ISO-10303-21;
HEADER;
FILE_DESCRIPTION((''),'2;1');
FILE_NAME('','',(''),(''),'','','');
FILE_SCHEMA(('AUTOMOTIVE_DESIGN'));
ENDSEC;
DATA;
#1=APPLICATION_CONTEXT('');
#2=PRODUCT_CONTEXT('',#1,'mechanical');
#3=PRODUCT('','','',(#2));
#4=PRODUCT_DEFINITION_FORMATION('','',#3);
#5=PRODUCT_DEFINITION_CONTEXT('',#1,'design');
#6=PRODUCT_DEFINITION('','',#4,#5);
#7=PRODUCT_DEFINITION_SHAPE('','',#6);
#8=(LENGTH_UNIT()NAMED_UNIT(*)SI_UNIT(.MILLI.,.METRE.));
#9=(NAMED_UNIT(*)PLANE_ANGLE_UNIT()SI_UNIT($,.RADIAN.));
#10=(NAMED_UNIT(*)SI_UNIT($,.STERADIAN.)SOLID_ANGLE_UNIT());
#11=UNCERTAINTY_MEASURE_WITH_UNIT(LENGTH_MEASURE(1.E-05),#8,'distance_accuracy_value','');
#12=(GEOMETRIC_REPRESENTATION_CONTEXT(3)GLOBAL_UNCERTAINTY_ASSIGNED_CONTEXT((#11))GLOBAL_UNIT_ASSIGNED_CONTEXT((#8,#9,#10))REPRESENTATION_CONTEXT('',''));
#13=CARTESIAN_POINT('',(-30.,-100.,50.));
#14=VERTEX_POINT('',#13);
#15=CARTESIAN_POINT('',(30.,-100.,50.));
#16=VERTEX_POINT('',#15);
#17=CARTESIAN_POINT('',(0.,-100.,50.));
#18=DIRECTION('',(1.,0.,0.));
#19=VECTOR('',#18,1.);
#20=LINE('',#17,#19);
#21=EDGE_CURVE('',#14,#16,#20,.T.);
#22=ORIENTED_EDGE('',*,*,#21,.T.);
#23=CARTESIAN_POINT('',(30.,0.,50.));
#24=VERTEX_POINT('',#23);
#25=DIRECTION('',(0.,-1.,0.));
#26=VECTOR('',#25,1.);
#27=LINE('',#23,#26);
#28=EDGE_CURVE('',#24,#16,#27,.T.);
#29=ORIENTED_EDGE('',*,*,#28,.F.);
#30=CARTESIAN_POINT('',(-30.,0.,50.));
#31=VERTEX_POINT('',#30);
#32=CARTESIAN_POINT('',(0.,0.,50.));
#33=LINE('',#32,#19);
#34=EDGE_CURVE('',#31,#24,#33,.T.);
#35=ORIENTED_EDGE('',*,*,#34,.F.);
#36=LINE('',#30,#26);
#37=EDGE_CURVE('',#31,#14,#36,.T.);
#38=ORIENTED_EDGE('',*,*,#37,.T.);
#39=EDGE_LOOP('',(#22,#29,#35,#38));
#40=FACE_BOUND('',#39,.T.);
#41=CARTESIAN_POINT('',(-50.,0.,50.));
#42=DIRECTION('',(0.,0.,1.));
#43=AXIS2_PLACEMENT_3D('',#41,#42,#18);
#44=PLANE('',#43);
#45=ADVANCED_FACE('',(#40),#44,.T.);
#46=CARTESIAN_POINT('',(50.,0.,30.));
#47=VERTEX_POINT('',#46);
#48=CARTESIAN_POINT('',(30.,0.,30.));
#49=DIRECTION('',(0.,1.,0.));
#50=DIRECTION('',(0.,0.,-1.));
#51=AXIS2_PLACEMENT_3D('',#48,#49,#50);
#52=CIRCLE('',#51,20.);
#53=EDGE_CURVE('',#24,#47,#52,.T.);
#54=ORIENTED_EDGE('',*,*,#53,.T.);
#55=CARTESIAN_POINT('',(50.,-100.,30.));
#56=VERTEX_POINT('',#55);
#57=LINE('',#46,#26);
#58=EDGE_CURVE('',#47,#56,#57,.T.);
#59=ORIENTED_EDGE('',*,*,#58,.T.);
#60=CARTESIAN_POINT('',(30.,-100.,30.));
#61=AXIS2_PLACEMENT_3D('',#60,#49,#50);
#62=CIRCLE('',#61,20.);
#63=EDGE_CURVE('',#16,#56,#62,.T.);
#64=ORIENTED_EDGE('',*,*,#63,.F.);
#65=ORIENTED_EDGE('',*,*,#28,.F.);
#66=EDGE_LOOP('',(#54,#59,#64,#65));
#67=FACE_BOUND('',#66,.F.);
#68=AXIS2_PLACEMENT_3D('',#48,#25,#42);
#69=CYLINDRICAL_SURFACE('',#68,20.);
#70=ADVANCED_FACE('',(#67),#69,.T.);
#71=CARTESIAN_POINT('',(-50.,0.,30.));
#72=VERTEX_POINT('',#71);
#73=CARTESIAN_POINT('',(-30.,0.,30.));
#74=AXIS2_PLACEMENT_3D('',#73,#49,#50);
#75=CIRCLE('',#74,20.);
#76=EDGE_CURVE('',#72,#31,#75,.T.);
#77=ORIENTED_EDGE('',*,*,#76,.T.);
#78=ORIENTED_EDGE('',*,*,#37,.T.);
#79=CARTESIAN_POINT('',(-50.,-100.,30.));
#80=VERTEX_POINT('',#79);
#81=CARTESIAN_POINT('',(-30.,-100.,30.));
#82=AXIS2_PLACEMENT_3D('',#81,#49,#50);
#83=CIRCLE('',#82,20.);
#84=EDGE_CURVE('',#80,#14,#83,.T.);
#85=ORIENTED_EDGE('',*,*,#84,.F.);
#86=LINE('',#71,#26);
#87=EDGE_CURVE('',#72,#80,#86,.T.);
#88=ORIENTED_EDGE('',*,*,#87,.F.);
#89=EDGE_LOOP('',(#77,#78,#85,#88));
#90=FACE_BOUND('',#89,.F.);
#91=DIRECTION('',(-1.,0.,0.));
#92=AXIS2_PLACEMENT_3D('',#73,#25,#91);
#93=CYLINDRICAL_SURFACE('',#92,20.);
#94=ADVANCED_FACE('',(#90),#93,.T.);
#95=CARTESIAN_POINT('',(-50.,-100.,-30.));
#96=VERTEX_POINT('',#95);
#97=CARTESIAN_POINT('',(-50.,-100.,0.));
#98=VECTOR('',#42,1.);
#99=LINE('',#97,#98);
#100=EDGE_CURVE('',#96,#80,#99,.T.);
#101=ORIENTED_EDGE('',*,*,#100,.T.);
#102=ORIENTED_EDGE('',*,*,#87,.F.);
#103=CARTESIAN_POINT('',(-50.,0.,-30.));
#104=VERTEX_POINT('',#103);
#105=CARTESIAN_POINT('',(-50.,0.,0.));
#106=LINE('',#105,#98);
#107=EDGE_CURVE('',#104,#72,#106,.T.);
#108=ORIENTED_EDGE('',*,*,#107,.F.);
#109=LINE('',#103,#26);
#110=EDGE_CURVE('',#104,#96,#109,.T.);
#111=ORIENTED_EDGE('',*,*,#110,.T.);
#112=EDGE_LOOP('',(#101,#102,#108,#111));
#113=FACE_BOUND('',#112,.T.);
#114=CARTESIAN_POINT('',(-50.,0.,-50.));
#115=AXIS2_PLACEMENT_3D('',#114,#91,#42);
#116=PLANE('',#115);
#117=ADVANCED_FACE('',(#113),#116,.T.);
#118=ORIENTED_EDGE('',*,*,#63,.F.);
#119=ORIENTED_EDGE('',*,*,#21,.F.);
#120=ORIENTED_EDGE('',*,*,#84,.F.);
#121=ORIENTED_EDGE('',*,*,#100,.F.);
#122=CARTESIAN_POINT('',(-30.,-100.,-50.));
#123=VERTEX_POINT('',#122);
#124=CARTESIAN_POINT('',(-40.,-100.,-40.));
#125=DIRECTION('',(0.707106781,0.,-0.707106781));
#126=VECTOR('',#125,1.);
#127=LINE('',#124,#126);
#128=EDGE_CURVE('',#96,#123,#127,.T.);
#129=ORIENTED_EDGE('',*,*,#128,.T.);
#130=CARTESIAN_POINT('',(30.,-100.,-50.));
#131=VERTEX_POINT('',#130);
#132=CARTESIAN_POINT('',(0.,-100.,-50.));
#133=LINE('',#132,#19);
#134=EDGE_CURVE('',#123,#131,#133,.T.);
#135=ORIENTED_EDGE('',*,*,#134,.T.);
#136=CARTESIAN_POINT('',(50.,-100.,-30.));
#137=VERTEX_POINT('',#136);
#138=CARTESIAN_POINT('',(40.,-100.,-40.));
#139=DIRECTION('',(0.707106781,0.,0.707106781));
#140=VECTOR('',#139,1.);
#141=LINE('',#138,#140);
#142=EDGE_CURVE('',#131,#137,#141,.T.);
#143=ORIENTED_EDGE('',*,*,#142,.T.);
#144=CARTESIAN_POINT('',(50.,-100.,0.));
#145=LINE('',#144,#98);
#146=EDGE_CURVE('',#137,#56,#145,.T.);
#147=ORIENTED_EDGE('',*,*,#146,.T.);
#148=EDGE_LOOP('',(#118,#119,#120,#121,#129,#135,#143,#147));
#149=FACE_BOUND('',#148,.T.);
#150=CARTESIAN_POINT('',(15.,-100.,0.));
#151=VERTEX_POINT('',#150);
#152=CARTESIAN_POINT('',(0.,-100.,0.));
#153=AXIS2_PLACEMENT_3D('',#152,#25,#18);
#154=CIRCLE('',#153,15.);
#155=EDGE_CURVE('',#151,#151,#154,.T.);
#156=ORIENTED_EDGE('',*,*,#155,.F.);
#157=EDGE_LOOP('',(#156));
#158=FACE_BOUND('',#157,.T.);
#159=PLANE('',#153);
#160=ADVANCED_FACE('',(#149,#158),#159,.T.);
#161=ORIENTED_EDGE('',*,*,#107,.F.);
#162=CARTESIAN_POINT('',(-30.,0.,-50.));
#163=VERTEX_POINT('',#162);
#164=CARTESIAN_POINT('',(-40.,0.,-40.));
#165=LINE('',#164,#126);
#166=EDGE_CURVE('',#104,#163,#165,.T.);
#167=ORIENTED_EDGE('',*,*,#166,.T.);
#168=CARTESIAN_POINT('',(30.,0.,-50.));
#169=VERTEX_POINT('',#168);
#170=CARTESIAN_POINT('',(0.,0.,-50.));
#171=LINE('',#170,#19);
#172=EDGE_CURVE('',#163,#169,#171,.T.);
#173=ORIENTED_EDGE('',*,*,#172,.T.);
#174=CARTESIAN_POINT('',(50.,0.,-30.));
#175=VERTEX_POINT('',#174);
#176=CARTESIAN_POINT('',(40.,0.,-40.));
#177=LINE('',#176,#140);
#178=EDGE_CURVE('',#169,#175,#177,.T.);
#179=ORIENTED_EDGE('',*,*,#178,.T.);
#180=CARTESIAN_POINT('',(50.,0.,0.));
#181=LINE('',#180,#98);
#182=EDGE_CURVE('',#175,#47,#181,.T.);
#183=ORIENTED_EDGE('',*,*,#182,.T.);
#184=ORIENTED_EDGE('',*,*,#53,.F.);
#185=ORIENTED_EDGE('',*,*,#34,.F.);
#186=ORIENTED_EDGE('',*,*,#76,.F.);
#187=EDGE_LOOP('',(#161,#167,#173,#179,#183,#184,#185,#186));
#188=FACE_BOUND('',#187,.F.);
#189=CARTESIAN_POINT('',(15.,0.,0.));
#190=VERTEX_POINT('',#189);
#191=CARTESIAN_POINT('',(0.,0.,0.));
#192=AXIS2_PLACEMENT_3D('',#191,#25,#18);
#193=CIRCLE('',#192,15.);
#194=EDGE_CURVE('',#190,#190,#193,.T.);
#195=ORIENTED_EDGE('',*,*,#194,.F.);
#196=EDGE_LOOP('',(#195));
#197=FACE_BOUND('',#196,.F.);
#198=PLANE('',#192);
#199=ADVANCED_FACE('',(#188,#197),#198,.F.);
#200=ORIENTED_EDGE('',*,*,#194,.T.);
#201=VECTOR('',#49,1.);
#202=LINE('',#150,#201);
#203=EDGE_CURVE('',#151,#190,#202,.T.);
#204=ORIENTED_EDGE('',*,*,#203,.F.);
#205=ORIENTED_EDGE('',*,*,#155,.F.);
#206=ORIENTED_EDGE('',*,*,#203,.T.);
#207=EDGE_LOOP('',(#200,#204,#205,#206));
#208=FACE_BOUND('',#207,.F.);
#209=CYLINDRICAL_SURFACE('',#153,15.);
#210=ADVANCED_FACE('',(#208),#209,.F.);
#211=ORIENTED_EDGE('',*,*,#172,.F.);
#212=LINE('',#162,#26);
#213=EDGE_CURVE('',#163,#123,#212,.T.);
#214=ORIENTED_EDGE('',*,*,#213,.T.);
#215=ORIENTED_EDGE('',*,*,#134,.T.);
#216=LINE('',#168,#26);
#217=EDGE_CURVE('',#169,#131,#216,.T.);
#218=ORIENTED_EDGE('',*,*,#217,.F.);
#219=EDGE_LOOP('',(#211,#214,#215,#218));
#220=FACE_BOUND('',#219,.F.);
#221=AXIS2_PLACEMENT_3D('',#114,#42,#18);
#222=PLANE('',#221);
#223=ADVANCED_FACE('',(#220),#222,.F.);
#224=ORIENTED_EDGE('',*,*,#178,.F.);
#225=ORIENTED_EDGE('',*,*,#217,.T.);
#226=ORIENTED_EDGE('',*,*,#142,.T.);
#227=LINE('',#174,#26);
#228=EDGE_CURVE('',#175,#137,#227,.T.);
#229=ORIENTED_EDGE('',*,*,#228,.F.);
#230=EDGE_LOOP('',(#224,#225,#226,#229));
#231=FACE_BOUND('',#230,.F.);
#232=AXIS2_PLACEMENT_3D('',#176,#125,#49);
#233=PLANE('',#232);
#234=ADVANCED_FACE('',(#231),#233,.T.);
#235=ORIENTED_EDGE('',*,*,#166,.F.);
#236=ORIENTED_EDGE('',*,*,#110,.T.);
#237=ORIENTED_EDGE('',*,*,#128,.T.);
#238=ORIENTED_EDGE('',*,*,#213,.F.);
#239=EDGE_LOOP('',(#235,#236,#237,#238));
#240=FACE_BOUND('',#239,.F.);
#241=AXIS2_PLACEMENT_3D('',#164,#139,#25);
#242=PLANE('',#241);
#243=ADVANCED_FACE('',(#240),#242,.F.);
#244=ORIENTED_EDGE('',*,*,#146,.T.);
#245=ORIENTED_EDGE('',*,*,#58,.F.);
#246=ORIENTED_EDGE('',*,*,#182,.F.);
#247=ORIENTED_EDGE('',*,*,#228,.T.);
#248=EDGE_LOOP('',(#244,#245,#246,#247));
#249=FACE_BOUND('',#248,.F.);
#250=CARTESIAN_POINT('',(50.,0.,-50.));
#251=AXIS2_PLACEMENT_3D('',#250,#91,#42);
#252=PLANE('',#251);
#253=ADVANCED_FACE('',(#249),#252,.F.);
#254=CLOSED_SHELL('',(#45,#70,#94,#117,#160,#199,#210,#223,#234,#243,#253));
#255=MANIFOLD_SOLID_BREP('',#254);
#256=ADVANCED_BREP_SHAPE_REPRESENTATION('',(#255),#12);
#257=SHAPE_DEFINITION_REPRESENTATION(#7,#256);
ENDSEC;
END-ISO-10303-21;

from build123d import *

# Parameters (mm, degrees)
F0_W     = 100
F0_H     = 100
F1_DEPTH = 100
F2_R     = 15
F3_DEPTH = 100.001
F4_R     = 20
F5_SIZE  = 20


with BuildPart() as f1:
    # F0 (on Front) → F1 (new body)
    with BuildSketch(Plane.XZ):
        Rectangle(F0_W, F0_H)
    extrude(amount=F1_DEPTH)

    # F2 (on face) → F3 (cut, through all)
    with BuildSketch(Plane.XZ.offset(100)):
        Circle(F2_R)
    extrude(amount=-F3_DEPTH, mode=Mode.SUBTRACT)

    # F4
    f4_edges = [f1.edges().sort_by_distance(p)[0] for p in [
        (-50, -50, 50),
        (50, -50, 50),
    ]]
    fillet(f4_edges, radius=F4_R)

    # F5
    f5_edges = [f1.edges().sort_by_distance(p)[0] for p in [
        (-50, -50, -50),
        (50, -50, -50),
    ]]
    chamfer(f5_edges, length=F5_SIZE)


solid = f1.part
